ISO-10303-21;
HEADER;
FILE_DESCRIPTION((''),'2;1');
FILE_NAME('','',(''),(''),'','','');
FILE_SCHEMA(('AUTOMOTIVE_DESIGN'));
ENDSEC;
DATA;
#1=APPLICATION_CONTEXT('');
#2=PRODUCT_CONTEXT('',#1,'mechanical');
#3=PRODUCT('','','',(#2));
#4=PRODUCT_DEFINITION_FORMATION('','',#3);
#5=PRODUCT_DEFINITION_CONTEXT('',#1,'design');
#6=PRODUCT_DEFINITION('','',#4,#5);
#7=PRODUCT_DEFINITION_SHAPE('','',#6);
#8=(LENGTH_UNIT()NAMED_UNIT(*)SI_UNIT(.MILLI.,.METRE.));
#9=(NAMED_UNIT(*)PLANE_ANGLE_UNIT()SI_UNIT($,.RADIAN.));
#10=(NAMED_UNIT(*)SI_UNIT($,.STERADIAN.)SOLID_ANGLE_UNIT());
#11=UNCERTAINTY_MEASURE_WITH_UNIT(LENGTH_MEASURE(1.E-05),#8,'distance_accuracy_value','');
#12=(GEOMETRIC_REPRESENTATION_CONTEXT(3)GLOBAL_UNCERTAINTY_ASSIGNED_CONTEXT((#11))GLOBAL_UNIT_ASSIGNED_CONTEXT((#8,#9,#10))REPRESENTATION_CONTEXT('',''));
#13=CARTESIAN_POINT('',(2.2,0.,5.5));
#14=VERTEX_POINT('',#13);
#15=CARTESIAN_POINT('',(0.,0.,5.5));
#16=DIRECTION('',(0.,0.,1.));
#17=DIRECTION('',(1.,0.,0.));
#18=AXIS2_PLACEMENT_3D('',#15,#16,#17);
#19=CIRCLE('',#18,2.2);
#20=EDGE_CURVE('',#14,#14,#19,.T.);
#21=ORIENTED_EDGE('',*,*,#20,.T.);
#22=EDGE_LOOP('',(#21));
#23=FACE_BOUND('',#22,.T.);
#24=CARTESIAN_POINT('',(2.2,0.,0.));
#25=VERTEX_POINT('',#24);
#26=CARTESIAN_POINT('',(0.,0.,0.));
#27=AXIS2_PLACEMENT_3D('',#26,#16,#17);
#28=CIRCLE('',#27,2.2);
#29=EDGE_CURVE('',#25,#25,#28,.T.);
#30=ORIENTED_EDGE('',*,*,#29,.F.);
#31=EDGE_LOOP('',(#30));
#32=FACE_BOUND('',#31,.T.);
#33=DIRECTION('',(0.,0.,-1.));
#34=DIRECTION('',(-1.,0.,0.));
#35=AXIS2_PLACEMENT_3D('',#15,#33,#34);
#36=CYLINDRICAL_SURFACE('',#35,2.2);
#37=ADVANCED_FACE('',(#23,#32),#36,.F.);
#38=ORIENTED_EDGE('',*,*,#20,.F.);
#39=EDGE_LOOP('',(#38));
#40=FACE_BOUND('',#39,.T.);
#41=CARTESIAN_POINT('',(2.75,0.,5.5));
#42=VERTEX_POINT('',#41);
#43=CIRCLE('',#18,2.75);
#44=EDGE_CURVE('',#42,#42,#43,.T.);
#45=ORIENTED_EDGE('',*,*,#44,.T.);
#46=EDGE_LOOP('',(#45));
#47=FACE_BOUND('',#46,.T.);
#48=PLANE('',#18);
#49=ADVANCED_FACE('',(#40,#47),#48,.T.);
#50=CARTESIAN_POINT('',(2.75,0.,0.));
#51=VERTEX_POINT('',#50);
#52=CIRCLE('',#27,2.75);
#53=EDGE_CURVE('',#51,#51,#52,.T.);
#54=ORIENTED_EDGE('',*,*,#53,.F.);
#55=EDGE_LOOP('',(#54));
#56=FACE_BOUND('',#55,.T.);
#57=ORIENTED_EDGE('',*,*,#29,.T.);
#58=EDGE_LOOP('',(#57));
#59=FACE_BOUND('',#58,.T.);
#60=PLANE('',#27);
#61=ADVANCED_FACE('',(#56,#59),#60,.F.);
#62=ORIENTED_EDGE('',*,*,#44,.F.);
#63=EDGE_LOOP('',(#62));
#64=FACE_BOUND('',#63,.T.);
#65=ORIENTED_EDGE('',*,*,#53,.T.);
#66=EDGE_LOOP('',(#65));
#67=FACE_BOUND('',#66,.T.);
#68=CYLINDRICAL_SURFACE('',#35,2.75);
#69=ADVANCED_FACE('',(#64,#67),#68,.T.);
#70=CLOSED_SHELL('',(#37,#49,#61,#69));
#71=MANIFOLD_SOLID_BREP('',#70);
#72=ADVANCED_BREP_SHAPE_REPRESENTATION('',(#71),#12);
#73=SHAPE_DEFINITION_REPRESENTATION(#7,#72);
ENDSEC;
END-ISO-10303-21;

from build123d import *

# Parameters (mm, degrees)
SKIZZE1_R                       = 2.75
SKIZZE1_R_2                     = 2.2
AUFSATZ_LINEAR_AUSTRAGEN1_DEPTH = 5.5


with BuildPart() as part:
    # Skizze1 → Aufsatz-Linear austragen1 (new body)
    with BuildSketch(Plane.XY):
        Circle(SKIZZE1_R)
        Circle(SKIZZE1_R_2, mode=Mode.SUBTRACT)
    extrude(amount=AUFSATZ_LINEAR_AUSTRAGEN1_DEPTH)


solid = part.part
